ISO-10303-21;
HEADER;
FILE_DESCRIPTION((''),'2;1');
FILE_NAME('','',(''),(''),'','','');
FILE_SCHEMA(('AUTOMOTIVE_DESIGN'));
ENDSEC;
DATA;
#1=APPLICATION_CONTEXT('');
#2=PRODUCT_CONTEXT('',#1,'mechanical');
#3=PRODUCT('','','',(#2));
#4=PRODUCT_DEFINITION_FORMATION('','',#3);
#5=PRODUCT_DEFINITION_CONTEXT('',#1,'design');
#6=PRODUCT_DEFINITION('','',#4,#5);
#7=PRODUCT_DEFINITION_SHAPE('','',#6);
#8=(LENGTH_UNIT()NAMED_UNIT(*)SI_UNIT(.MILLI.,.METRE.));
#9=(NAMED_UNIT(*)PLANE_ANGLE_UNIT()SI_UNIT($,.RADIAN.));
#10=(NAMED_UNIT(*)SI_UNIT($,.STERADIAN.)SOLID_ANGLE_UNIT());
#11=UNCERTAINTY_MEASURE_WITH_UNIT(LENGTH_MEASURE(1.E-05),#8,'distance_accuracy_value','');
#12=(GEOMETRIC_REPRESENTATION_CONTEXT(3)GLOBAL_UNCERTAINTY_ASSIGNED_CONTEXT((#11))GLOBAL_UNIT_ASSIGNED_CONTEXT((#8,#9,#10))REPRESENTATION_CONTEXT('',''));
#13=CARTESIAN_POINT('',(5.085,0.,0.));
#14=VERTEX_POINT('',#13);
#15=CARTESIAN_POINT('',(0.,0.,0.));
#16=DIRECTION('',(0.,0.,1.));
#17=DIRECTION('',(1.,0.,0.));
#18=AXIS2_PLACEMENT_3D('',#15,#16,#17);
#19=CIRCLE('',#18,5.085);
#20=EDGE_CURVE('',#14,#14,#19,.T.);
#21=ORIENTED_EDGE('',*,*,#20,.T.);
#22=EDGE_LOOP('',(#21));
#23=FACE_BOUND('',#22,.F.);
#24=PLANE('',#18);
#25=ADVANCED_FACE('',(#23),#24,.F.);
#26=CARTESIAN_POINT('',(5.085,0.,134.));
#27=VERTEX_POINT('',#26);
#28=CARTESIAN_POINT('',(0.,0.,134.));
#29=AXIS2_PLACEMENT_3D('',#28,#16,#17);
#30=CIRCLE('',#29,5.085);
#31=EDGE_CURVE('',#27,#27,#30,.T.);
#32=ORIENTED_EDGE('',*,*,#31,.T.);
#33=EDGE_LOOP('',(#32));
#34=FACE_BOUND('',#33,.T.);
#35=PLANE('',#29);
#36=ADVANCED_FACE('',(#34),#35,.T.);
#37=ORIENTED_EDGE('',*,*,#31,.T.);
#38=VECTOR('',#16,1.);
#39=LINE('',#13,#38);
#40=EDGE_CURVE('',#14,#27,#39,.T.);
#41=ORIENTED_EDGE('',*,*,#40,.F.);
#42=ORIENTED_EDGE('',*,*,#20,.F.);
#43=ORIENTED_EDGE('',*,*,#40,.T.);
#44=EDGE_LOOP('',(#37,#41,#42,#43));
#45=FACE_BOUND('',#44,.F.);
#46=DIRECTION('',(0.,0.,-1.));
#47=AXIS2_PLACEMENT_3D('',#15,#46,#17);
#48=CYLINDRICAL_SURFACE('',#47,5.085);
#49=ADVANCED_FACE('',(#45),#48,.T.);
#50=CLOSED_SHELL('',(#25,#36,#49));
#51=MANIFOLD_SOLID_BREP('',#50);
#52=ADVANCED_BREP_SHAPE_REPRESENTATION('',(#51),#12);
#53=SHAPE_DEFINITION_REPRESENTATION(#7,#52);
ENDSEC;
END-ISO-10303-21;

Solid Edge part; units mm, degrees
sketch "Sketch1" plane through (0, 0, 0) normal (0, 0, 1) x (1, 0, 0)
  circle A0 centre (0, 0) radius 5.085
extrude "Protrusion1" add sketch "Sketch1" along normal blind 134
